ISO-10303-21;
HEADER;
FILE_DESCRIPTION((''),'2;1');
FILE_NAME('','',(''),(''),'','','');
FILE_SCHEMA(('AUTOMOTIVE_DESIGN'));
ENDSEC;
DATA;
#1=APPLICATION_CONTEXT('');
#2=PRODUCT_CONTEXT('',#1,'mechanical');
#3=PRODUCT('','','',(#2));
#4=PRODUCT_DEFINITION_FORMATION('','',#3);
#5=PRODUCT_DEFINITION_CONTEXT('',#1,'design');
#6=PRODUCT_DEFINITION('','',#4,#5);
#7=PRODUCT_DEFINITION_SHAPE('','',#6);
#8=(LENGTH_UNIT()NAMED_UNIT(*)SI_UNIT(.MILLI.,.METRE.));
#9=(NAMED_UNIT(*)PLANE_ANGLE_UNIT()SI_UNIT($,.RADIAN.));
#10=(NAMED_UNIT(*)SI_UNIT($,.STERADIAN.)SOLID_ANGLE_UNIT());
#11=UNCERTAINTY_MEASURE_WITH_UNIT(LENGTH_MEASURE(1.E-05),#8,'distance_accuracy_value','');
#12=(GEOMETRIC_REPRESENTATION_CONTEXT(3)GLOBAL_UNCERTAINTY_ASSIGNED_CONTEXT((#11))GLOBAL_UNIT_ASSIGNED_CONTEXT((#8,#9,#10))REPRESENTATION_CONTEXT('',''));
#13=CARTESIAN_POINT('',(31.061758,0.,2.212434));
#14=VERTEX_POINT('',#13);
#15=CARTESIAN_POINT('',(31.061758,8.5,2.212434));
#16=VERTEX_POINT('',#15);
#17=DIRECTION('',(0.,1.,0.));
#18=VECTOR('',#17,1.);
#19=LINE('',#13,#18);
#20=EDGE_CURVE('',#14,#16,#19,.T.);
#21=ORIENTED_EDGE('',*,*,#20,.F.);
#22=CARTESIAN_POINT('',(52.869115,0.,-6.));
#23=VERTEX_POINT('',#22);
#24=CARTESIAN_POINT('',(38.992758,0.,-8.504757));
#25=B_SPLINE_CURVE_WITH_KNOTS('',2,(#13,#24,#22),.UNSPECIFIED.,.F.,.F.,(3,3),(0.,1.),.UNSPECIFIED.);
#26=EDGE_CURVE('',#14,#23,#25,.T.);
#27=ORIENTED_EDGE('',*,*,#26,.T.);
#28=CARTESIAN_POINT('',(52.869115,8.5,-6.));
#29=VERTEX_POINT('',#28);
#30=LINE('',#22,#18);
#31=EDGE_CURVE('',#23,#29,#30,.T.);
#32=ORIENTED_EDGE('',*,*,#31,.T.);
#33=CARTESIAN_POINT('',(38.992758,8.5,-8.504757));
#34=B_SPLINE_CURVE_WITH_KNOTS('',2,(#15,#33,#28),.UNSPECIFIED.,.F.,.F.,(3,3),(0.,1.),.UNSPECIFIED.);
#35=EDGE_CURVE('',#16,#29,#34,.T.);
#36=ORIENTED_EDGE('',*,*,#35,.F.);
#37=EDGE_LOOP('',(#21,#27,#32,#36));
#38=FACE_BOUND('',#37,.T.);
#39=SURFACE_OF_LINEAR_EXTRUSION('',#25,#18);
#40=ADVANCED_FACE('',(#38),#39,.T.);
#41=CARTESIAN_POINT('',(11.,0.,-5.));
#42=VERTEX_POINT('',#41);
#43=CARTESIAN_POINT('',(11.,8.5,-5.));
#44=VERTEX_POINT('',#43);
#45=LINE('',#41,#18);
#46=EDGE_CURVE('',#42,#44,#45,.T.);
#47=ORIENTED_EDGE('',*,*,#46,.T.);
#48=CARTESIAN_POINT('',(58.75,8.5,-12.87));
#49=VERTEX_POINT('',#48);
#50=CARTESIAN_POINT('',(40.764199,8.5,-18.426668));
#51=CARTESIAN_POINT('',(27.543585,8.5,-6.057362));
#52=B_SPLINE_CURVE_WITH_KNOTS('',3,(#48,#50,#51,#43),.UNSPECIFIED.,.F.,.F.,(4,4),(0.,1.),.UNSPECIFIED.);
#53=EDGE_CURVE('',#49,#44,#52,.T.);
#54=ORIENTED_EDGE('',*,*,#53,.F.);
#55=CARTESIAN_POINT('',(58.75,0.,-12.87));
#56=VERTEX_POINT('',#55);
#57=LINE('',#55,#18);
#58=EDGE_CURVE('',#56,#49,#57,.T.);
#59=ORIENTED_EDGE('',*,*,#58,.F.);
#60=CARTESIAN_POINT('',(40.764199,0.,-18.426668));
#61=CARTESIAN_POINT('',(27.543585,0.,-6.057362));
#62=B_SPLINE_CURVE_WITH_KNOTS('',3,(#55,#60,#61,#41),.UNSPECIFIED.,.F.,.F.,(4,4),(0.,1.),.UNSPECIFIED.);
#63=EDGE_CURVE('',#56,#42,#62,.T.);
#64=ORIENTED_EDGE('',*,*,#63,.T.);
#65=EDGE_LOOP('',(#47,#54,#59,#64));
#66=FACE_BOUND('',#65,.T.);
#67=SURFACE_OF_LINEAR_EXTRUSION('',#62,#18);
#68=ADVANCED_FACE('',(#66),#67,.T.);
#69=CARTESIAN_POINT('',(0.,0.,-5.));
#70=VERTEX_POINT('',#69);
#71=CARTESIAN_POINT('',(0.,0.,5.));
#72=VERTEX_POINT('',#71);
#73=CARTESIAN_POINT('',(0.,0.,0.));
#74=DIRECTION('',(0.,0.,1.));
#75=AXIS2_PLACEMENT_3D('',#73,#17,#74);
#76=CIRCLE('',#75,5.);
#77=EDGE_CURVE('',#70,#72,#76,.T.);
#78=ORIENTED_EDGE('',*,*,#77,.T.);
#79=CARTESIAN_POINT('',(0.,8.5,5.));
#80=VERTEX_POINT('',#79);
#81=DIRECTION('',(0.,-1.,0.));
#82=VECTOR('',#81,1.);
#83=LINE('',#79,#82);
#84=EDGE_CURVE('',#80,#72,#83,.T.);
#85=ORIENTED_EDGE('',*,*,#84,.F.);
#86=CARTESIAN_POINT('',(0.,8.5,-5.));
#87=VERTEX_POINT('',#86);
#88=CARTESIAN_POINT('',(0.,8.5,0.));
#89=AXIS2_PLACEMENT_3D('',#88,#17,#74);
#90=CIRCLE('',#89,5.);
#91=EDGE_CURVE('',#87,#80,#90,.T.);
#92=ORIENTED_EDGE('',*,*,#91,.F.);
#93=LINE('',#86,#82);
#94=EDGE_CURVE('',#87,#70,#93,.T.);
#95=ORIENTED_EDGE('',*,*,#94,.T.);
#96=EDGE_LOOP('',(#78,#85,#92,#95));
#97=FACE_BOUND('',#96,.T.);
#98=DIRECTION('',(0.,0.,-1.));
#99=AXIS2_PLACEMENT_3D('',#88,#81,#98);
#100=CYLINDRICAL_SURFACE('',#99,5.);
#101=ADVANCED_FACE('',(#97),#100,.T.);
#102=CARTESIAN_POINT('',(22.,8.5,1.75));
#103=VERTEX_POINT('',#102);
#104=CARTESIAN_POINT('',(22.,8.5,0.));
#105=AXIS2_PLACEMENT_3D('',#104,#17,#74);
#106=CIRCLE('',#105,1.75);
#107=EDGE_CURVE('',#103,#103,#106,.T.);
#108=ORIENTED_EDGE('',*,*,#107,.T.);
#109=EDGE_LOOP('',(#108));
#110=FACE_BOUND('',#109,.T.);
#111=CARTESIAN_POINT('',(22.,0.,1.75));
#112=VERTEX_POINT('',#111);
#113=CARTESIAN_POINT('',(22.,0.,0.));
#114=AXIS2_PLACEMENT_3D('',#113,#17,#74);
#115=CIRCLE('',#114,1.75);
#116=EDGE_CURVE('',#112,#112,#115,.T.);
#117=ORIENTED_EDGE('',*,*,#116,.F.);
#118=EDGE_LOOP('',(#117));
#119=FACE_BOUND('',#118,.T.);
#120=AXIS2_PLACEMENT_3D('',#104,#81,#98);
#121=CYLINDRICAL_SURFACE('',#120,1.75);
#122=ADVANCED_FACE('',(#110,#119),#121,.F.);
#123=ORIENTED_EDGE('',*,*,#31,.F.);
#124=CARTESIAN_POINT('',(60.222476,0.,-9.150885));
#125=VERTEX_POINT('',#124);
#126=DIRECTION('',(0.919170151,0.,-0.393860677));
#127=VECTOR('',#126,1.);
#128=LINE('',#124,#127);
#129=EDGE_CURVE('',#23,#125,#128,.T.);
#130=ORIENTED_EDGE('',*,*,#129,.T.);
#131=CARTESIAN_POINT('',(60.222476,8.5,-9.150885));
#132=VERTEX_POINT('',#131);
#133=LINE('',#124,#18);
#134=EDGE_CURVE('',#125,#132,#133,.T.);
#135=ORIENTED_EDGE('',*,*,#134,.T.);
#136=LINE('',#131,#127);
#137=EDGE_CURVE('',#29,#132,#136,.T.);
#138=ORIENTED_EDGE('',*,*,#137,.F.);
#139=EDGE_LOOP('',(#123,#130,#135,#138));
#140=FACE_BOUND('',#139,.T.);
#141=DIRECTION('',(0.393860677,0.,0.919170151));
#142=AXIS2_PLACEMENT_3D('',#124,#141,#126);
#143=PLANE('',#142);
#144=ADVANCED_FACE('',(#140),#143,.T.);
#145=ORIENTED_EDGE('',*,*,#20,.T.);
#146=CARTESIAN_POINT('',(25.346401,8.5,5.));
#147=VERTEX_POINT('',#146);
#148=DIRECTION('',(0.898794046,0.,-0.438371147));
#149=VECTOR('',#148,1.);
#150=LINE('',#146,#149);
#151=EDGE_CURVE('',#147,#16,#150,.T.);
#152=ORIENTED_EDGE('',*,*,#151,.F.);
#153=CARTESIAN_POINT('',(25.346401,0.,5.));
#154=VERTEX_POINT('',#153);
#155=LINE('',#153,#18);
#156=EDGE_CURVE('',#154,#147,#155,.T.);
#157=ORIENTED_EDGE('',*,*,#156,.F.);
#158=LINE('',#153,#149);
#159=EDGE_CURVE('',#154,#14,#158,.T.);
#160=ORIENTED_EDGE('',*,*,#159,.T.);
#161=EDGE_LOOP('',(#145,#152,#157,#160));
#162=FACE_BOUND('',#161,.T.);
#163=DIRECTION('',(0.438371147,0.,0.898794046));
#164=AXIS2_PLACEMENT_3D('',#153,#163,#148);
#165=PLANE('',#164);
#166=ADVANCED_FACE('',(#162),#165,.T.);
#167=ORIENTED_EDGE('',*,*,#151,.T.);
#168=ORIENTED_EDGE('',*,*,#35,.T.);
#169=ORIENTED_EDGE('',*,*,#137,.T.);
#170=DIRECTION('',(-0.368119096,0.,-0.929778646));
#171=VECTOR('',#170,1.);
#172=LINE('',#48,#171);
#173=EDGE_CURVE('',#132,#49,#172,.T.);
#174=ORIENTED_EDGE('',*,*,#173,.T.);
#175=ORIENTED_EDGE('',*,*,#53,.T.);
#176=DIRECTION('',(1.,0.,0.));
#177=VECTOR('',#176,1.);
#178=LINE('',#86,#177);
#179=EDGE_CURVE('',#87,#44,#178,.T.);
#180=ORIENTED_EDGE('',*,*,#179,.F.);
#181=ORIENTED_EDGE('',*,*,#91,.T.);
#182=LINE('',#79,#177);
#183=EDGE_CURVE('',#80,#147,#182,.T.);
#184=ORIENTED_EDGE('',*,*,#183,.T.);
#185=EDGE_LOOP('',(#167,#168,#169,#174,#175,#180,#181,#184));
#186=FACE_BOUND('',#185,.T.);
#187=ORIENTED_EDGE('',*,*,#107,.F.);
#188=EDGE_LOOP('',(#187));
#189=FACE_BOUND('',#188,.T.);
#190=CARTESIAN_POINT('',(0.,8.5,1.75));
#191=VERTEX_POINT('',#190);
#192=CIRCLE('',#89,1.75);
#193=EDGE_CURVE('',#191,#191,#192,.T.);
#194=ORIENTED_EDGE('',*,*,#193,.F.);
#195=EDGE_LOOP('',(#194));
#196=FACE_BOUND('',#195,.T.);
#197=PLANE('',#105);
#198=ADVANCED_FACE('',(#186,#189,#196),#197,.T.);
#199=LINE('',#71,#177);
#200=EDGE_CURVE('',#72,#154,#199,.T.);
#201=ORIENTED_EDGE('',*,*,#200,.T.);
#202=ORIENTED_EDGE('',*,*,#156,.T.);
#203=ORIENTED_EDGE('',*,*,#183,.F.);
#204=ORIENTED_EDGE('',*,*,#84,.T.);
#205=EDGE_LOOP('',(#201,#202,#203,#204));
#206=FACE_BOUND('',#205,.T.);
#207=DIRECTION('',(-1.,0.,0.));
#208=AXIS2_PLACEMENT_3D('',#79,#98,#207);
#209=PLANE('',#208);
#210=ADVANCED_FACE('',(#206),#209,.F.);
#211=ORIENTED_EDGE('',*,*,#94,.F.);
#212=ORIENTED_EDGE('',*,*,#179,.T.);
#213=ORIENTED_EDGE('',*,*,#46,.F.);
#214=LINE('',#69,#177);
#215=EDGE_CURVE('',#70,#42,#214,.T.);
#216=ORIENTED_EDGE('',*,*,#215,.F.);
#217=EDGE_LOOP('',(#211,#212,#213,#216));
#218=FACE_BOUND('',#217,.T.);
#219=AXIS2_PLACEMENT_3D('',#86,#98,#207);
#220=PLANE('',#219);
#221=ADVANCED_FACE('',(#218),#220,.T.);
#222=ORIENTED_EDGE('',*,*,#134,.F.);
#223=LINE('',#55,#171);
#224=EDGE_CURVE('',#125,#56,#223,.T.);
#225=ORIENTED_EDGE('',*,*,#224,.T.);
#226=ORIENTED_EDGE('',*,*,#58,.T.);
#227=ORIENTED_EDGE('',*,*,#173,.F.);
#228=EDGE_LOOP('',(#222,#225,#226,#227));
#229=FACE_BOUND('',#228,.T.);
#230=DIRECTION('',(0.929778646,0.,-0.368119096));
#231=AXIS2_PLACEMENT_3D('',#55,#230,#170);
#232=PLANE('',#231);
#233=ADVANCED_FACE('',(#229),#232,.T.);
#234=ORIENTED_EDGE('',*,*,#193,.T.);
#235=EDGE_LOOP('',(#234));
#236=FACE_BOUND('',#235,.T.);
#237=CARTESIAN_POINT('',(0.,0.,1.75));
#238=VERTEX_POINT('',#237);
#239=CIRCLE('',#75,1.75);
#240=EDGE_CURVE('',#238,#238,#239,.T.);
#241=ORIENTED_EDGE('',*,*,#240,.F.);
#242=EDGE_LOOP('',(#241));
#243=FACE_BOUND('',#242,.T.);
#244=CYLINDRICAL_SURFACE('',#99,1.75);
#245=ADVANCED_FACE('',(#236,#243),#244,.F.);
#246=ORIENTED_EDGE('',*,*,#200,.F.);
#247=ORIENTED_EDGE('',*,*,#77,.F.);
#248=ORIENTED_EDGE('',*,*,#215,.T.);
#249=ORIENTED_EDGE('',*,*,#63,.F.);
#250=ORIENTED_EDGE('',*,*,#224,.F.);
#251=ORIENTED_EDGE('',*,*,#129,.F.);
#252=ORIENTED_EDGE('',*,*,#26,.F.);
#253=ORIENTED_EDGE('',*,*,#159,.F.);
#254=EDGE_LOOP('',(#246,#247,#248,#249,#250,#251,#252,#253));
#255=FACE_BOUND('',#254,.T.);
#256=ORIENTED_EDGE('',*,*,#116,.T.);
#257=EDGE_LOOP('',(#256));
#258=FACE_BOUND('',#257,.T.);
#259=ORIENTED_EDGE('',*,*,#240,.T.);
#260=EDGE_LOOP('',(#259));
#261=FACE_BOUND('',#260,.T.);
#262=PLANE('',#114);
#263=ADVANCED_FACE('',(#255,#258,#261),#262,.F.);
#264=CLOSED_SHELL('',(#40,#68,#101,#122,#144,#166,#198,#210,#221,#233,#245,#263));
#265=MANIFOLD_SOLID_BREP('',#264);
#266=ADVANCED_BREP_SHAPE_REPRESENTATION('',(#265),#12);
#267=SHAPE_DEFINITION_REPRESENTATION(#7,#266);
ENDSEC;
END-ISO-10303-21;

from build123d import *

# Parameters (mm, degrees)
SKETCH1_R           = 5
SKETCH1_R_2         = 1.75
BOSS_EXTRUDE2_DEPTH = 8.5
BOSS_EXTRUDE3_START = -8.5
BOSS_EXTRUDE3_DEPTH = 8.5


with BuildPart() as part:
    # Sketch1 → Boss-Extrude2 (new body)
    # profile 1 of 3: a face of its own
    with BuildSketch(Plane(origin=(0, 0, 0), x_dir=(1, 0, 0), z_dir=(0, 1, 0))):
        Circle(SKETCH1_R)
        with Locations(Location((0, 0, 0), (0, 0, 270))):
            Circle(SKETCH1_R_2, mode=Mode.SUBTRACT)
    # profile 2 of 3: a face of its own
    with BuildSketch(Plane(origin=(0, 0, 0), x_dir=(1, 0, 0), z_dir=(0, 1, 0))):
        with Locations((22, 0)):
            Circle(SKETCH1_R)
        with Locations(Location((22, 0, 0), (0, 0, 270))):
            Circle(SKETCH1_R_2, mode=Mode.SUBTRACT)
    # profile 3 of 3: a face of its own
    with BuildSketch(Plane(origin=(0, 0, 0), x_dir=(1, 0, 0), z_dir=(0, 1, 0))):
        with BuildLine():
            Line((0, 5), (22, 5))
            ThreePointArc((22, 5), (17, 0), (22, -5))
            Line((22, -5), (0, -5))
            ThreePointArc((0, -5), (5, 0), (0, 5))
        make_face()
    extrude(amount=BOSS_EXTRUDE2_DEPTH)

    # Sketch2 → Boss-Extrude3 (add)
    with BuildSketch(Plane(origin=(0, 8.5, 0), x_dir=(1, 0, 0), z_dir=(0, 1, 0)).offset(BOSS_EXTRUDE3_START)):
        with BuildLine():
            Line((22, -5), (25.346400572, -5))
            Line((25.346400572, -5), (31.061757845, -2.212434003))
            add(Edge.make_bspline(
                [(31.061757845, -2.212434003), (38.992757935, 8.50475737), (52.869115173, 6)],
                knots=[0, 0, 0, 1, 1, 1], degree=2))
            Line((52.869115173, 6), (60.222476385, 9.150885415))
            Line((60.222476385, 9.150885415), (58.75, 12.87))
            add(Edge.make_bspline(
                [(11, 5), (27.543585327, 6.057362318), (40.764199153, 18.426668213), (58.75, 12.87)],
                knots=[0, 0, 0, 0, 1, 1, 1, 1], degree=3))
            Line((11, 5), (22, 5))
            ThreePointArc((22, 5), (27, 0), (22, -5))
        make_face()
    extrude(amount=BOSS_EXTRUDE3_DEPTH)


solid = part.part
